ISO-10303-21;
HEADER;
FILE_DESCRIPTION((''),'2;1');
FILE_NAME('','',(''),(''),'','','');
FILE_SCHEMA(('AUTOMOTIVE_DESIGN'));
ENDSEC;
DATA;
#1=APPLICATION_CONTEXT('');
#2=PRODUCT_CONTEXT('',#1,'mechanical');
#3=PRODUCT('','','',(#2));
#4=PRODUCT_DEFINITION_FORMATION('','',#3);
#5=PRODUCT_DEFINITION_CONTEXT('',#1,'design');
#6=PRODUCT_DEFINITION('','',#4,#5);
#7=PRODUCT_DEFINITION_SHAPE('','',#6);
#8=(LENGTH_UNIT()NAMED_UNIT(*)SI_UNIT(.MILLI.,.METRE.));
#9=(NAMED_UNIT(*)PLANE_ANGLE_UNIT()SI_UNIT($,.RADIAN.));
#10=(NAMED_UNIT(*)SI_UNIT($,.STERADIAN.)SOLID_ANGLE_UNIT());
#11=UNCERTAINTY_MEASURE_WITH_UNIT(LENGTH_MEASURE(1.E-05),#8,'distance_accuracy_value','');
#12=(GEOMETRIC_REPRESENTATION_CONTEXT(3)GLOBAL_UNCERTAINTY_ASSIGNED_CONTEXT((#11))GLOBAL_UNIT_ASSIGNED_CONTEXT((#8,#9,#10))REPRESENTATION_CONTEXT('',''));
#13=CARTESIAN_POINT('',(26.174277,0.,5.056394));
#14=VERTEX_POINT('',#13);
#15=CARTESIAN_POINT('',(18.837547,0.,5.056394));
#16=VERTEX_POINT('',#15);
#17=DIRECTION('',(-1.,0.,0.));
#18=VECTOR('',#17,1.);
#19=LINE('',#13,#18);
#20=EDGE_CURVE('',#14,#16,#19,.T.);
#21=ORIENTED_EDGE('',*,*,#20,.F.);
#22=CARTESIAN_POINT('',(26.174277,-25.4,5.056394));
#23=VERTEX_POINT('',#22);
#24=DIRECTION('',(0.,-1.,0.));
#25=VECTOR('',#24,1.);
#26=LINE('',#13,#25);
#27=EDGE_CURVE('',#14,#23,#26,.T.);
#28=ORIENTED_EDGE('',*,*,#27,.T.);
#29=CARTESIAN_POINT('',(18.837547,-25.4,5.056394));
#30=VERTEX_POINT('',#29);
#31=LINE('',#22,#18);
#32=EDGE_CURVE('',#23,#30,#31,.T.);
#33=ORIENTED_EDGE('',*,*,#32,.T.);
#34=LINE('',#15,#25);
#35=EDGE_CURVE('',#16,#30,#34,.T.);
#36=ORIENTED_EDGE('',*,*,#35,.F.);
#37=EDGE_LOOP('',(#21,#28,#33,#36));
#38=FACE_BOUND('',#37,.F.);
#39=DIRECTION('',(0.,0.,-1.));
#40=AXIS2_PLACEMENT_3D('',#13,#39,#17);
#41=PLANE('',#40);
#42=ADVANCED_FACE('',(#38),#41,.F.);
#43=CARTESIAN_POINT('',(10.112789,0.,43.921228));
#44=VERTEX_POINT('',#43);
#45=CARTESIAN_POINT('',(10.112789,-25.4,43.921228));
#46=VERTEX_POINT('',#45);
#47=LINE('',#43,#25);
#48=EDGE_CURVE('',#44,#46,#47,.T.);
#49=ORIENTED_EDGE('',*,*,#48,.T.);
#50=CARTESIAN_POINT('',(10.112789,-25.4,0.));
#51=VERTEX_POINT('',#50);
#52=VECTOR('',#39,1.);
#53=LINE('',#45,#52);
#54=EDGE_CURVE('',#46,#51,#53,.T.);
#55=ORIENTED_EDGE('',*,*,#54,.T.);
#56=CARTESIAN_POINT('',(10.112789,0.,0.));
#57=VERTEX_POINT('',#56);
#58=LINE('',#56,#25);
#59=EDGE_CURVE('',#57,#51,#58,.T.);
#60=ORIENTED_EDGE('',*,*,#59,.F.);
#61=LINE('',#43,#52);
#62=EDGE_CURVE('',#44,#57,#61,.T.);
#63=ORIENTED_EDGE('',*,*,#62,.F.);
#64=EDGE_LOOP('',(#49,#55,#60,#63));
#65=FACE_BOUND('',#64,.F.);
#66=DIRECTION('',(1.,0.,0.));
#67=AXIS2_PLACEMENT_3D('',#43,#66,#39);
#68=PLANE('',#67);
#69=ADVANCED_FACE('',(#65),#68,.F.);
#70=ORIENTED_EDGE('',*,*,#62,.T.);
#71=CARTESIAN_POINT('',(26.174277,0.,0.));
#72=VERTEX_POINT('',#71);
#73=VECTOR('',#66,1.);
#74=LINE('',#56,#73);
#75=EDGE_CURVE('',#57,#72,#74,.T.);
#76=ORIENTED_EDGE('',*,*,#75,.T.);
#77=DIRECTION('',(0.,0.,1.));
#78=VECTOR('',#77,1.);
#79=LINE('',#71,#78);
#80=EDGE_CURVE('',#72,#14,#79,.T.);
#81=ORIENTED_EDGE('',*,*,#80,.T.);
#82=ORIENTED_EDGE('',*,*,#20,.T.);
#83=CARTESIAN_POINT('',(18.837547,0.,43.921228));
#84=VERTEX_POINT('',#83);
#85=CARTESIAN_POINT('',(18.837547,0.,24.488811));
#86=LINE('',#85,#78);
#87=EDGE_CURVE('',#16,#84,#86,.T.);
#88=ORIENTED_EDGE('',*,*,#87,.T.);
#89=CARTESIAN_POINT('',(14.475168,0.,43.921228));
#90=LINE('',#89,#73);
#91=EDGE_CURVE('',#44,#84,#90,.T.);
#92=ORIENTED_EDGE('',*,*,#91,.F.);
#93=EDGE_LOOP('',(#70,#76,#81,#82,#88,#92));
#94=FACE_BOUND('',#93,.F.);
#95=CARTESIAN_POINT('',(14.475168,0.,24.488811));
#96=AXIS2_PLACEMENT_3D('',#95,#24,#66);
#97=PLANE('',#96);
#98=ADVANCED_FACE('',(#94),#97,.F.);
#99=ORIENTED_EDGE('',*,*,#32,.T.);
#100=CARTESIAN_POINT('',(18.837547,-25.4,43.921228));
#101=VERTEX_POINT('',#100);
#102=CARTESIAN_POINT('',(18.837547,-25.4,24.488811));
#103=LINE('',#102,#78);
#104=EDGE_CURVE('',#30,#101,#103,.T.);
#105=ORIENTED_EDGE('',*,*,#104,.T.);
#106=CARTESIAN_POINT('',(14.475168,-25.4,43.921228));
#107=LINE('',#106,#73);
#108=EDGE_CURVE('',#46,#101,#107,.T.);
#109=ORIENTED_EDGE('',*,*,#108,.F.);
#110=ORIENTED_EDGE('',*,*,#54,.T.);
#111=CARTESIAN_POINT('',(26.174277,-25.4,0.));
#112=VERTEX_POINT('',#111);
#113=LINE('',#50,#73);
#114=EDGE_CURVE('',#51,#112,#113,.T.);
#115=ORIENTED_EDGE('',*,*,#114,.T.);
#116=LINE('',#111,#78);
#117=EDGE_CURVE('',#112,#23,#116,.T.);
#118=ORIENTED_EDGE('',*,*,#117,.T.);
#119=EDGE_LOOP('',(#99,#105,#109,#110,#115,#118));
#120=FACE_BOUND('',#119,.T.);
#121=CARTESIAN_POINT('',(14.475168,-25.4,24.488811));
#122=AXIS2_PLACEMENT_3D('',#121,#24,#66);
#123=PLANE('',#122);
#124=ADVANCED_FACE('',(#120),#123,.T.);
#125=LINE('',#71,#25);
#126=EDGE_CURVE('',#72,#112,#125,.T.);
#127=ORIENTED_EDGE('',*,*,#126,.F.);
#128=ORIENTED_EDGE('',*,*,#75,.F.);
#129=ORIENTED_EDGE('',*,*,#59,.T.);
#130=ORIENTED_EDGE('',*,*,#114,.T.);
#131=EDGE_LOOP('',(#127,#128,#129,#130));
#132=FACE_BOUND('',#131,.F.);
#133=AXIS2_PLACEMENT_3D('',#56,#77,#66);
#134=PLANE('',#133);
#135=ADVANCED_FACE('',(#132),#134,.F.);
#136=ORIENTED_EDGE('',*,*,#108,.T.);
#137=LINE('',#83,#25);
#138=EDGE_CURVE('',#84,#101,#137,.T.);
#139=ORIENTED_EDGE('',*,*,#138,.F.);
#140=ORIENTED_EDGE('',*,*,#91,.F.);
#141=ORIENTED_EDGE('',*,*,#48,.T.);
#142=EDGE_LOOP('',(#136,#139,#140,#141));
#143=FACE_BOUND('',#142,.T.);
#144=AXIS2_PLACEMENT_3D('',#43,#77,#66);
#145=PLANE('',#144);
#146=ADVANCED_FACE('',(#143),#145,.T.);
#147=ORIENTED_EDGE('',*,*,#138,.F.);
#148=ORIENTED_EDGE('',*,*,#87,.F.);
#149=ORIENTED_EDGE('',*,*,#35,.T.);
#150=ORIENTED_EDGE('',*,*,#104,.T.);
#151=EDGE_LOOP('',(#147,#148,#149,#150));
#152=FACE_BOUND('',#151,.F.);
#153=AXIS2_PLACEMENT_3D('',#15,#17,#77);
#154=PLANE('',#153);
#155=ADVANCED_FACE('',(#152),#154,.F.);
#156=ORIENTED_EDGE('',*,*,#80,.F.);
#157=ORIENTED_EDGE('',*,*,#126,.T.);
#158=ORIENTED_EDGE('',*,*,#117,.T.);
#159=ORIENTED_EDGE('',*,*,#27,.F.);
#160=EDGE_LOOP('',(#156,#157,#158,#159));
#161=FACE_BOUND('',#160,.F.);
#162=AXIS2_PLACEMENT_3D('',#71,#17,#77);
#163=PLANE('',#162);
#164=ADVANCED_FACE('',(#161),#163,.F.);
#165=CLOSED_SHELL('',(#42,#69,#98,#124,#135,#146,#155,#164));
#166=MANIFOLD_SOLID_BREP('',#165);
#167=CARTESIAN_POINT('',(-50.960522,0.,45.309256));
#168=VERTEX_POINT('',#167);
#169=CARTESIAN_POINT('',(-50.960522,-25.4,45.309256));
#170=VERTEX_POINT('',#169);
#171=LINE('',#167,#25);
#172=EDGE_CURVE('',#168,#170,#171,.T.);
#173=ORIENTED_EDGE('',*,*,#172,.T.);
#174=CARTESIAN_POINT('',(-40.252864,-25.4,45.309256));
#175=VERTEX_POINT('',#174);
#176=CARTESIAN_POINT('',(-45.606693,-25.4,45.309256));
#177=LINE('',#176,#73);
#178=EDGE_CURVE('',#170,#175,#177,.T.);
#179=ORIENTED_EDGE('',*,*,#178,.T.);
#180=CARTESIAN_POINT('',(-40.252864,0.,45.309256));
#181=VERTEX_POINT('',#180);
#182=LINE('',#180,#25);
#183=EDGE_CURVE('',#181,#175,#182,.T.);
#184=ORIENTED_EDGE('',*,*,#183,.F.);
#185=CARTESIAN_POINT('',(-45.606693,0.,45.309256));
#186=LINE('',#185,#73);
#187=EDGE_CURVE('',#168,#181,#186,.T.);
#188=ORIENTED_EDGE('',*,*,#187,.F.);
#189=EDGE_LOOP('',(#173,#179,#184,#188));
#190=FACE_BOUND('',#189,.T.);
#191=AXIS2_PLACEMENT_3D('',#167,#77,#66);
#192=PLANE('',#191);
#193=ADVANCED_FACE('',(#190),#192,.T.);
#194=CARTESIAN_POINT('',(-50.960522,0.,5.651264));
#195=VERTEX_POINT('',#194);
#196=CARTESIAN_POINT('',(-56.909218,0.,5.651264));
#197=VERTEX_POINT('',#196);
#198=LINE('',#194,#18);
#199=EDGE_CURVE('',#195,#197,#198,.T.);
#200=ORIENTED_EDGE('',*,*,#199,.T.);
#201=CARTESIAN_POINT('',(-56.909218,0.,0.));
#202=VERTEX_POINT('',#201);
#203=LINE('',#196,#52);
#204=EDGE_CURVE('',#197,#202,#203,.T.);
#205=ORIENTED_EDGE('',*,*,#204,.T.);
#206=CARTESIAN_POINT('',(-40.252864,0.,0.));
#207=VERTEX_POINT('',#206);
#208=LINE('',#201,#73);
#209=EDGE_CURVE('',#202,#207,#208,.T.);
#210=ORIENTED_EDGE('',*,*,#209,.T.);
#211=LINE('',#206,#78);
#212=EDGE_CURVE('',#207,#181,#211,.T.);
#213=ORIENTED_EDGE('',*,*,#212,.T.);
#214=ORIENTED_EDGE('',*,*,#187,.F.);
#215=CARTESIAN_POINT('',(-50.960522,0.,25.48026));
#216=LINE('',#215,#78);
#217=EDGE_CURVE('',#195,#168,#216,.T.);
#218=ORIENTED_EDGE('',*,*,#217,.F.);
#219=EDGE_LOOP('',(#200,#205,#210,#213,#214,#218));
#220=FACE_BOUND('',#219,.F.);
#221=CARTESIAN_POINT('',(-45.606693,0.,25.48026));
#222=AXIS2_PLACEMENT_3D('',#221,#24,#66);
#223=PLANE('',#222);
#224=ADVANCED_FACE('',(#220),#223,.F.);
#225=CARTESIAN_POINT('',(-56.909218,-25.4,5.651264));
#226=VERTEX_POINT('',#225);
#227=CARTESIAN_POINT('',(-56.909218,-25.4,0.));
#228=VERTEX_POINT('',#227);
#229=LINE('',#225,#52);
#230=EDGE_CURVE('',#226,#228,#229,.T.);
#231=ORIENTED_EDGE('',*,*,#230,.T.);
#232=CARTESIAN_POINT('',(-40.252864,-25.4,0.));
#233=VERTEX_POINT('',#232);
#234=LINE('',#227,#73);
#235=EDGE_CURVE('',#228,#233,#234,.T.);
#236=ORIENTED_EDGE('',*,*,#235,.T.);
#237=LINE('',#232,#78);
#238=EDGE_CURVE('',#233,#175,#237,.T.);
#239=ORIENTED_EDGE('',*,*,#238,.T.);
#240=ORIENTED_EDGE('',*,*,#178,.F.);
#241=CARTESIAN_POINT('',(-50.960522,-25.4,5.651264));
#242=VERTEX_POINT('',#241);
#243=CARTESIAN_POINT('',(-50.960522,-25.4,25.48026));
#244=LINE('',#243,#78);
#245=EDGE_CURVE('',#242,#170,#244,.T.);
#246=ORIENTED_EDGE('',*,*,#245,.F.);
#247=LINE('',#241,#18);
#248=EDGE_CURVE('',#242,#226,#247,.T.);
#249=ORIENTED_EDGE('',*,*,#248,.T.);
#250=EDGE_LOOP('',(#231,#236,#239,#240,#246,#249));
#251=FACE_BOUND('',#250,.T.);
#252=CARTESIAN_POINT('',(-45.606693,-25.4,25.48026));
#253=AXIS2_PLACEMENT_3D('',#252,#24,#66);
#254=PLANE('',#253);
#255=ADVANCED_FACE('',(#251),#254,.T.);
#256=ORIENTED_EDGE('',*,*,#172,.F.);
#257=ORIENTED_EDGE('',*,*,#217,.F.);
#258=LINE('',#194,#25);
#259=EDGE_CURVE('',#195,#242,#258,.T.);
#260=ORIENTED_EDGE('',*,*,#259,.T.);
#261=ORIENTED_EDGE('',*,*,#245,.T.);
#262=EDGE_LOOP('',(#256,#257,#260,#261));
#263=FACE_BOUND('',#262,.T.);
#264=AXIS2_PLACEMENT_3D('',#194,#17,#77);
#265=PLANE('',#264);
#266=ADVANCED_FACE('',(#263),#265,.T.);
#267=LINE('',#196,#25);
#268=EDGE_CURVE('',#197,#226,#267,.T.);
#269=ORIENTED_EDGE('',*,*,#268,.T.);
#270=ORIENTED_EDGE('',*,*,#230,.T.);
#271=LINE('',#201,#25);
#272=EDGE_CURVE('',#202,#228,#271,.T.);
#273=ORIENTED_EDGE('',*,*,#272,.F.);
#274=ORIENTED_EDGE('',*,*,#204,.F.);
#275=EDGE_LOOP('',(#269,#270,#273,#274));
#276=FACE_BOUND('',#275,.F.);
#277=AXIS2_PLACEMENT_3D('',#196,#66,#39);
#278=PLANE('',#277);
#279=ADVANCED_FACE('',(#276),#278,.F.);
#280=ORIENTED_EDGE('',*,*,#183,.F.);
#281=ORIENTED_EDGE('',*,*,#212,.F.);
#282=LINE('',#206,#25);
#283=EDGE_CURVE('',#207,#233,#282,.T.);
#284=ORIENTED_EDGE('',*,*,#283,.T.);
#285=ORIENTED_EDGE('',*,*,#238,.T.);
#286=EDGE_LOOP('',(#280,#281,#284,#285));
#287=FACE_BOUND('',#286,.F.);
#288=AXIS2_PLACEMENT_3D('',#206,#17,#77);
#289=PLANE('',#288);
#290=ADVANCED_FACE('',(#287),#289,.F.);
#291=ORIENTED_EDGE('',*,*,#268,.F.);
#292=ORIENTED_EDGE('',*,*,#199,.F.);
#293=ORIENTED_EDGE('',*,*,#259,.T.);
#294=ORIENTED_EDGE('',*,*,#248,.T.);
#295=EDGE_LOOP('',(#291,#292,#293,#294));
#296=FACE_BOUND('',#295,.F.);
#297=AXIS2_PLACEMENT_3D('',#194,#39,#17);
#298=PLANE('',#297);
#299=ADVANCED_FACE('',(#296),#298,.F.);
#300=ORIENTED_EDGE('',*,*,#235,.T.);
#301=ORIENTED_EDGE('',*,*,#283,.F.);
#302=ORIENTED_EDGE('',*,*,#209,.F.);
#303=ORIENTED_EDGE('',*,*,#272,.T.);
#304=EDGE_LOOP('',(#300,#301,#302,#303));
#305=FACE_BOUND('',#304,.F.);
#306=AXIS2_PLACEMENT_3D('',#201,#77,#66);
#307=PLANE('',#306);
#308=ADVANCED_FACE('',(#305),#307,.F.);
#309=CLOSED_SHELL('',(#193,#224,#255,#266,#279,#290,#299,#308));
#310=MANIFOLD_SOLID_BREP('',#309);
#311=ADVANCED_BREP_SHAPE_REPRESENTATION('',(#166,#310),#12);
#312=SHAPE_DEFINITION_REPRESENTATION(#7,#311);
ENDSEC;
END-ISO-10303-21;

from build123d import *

# Parameters (mm, degrees)
F0_W     = 10.707658
F0_H     = 39.657993
F0_W_2   = 8.724758
F0_H_2   = 38.864834
F1_DEPTH = 25.4


with BuildPart() as f1:
    # F0 (on Front) → F1 (new body)
    with BuildSketch(Plane.XZ):
        with Locations((-45.606693, 25.48026)):
            Rectangle(F0_W, F0_H)
        Polygon((-40.252864, 5.651264), (-50.960522, 5.651264), (-56.909218, 5.651264), (-56.909218, 0), (-40.252864, 0), align=None)
        with Locations((14.475168, 24.488811)):
            Rectangle(F0_W_2, F0_H_2)
        Polygon((18.837547, 5.056394), (10.112789, 5.056394), (10.112789, 0), (26.174277, 0), (26.174277, 5.056394), align=None)
    extrude(amount=F1_DEPTH)


solid = f1.part
